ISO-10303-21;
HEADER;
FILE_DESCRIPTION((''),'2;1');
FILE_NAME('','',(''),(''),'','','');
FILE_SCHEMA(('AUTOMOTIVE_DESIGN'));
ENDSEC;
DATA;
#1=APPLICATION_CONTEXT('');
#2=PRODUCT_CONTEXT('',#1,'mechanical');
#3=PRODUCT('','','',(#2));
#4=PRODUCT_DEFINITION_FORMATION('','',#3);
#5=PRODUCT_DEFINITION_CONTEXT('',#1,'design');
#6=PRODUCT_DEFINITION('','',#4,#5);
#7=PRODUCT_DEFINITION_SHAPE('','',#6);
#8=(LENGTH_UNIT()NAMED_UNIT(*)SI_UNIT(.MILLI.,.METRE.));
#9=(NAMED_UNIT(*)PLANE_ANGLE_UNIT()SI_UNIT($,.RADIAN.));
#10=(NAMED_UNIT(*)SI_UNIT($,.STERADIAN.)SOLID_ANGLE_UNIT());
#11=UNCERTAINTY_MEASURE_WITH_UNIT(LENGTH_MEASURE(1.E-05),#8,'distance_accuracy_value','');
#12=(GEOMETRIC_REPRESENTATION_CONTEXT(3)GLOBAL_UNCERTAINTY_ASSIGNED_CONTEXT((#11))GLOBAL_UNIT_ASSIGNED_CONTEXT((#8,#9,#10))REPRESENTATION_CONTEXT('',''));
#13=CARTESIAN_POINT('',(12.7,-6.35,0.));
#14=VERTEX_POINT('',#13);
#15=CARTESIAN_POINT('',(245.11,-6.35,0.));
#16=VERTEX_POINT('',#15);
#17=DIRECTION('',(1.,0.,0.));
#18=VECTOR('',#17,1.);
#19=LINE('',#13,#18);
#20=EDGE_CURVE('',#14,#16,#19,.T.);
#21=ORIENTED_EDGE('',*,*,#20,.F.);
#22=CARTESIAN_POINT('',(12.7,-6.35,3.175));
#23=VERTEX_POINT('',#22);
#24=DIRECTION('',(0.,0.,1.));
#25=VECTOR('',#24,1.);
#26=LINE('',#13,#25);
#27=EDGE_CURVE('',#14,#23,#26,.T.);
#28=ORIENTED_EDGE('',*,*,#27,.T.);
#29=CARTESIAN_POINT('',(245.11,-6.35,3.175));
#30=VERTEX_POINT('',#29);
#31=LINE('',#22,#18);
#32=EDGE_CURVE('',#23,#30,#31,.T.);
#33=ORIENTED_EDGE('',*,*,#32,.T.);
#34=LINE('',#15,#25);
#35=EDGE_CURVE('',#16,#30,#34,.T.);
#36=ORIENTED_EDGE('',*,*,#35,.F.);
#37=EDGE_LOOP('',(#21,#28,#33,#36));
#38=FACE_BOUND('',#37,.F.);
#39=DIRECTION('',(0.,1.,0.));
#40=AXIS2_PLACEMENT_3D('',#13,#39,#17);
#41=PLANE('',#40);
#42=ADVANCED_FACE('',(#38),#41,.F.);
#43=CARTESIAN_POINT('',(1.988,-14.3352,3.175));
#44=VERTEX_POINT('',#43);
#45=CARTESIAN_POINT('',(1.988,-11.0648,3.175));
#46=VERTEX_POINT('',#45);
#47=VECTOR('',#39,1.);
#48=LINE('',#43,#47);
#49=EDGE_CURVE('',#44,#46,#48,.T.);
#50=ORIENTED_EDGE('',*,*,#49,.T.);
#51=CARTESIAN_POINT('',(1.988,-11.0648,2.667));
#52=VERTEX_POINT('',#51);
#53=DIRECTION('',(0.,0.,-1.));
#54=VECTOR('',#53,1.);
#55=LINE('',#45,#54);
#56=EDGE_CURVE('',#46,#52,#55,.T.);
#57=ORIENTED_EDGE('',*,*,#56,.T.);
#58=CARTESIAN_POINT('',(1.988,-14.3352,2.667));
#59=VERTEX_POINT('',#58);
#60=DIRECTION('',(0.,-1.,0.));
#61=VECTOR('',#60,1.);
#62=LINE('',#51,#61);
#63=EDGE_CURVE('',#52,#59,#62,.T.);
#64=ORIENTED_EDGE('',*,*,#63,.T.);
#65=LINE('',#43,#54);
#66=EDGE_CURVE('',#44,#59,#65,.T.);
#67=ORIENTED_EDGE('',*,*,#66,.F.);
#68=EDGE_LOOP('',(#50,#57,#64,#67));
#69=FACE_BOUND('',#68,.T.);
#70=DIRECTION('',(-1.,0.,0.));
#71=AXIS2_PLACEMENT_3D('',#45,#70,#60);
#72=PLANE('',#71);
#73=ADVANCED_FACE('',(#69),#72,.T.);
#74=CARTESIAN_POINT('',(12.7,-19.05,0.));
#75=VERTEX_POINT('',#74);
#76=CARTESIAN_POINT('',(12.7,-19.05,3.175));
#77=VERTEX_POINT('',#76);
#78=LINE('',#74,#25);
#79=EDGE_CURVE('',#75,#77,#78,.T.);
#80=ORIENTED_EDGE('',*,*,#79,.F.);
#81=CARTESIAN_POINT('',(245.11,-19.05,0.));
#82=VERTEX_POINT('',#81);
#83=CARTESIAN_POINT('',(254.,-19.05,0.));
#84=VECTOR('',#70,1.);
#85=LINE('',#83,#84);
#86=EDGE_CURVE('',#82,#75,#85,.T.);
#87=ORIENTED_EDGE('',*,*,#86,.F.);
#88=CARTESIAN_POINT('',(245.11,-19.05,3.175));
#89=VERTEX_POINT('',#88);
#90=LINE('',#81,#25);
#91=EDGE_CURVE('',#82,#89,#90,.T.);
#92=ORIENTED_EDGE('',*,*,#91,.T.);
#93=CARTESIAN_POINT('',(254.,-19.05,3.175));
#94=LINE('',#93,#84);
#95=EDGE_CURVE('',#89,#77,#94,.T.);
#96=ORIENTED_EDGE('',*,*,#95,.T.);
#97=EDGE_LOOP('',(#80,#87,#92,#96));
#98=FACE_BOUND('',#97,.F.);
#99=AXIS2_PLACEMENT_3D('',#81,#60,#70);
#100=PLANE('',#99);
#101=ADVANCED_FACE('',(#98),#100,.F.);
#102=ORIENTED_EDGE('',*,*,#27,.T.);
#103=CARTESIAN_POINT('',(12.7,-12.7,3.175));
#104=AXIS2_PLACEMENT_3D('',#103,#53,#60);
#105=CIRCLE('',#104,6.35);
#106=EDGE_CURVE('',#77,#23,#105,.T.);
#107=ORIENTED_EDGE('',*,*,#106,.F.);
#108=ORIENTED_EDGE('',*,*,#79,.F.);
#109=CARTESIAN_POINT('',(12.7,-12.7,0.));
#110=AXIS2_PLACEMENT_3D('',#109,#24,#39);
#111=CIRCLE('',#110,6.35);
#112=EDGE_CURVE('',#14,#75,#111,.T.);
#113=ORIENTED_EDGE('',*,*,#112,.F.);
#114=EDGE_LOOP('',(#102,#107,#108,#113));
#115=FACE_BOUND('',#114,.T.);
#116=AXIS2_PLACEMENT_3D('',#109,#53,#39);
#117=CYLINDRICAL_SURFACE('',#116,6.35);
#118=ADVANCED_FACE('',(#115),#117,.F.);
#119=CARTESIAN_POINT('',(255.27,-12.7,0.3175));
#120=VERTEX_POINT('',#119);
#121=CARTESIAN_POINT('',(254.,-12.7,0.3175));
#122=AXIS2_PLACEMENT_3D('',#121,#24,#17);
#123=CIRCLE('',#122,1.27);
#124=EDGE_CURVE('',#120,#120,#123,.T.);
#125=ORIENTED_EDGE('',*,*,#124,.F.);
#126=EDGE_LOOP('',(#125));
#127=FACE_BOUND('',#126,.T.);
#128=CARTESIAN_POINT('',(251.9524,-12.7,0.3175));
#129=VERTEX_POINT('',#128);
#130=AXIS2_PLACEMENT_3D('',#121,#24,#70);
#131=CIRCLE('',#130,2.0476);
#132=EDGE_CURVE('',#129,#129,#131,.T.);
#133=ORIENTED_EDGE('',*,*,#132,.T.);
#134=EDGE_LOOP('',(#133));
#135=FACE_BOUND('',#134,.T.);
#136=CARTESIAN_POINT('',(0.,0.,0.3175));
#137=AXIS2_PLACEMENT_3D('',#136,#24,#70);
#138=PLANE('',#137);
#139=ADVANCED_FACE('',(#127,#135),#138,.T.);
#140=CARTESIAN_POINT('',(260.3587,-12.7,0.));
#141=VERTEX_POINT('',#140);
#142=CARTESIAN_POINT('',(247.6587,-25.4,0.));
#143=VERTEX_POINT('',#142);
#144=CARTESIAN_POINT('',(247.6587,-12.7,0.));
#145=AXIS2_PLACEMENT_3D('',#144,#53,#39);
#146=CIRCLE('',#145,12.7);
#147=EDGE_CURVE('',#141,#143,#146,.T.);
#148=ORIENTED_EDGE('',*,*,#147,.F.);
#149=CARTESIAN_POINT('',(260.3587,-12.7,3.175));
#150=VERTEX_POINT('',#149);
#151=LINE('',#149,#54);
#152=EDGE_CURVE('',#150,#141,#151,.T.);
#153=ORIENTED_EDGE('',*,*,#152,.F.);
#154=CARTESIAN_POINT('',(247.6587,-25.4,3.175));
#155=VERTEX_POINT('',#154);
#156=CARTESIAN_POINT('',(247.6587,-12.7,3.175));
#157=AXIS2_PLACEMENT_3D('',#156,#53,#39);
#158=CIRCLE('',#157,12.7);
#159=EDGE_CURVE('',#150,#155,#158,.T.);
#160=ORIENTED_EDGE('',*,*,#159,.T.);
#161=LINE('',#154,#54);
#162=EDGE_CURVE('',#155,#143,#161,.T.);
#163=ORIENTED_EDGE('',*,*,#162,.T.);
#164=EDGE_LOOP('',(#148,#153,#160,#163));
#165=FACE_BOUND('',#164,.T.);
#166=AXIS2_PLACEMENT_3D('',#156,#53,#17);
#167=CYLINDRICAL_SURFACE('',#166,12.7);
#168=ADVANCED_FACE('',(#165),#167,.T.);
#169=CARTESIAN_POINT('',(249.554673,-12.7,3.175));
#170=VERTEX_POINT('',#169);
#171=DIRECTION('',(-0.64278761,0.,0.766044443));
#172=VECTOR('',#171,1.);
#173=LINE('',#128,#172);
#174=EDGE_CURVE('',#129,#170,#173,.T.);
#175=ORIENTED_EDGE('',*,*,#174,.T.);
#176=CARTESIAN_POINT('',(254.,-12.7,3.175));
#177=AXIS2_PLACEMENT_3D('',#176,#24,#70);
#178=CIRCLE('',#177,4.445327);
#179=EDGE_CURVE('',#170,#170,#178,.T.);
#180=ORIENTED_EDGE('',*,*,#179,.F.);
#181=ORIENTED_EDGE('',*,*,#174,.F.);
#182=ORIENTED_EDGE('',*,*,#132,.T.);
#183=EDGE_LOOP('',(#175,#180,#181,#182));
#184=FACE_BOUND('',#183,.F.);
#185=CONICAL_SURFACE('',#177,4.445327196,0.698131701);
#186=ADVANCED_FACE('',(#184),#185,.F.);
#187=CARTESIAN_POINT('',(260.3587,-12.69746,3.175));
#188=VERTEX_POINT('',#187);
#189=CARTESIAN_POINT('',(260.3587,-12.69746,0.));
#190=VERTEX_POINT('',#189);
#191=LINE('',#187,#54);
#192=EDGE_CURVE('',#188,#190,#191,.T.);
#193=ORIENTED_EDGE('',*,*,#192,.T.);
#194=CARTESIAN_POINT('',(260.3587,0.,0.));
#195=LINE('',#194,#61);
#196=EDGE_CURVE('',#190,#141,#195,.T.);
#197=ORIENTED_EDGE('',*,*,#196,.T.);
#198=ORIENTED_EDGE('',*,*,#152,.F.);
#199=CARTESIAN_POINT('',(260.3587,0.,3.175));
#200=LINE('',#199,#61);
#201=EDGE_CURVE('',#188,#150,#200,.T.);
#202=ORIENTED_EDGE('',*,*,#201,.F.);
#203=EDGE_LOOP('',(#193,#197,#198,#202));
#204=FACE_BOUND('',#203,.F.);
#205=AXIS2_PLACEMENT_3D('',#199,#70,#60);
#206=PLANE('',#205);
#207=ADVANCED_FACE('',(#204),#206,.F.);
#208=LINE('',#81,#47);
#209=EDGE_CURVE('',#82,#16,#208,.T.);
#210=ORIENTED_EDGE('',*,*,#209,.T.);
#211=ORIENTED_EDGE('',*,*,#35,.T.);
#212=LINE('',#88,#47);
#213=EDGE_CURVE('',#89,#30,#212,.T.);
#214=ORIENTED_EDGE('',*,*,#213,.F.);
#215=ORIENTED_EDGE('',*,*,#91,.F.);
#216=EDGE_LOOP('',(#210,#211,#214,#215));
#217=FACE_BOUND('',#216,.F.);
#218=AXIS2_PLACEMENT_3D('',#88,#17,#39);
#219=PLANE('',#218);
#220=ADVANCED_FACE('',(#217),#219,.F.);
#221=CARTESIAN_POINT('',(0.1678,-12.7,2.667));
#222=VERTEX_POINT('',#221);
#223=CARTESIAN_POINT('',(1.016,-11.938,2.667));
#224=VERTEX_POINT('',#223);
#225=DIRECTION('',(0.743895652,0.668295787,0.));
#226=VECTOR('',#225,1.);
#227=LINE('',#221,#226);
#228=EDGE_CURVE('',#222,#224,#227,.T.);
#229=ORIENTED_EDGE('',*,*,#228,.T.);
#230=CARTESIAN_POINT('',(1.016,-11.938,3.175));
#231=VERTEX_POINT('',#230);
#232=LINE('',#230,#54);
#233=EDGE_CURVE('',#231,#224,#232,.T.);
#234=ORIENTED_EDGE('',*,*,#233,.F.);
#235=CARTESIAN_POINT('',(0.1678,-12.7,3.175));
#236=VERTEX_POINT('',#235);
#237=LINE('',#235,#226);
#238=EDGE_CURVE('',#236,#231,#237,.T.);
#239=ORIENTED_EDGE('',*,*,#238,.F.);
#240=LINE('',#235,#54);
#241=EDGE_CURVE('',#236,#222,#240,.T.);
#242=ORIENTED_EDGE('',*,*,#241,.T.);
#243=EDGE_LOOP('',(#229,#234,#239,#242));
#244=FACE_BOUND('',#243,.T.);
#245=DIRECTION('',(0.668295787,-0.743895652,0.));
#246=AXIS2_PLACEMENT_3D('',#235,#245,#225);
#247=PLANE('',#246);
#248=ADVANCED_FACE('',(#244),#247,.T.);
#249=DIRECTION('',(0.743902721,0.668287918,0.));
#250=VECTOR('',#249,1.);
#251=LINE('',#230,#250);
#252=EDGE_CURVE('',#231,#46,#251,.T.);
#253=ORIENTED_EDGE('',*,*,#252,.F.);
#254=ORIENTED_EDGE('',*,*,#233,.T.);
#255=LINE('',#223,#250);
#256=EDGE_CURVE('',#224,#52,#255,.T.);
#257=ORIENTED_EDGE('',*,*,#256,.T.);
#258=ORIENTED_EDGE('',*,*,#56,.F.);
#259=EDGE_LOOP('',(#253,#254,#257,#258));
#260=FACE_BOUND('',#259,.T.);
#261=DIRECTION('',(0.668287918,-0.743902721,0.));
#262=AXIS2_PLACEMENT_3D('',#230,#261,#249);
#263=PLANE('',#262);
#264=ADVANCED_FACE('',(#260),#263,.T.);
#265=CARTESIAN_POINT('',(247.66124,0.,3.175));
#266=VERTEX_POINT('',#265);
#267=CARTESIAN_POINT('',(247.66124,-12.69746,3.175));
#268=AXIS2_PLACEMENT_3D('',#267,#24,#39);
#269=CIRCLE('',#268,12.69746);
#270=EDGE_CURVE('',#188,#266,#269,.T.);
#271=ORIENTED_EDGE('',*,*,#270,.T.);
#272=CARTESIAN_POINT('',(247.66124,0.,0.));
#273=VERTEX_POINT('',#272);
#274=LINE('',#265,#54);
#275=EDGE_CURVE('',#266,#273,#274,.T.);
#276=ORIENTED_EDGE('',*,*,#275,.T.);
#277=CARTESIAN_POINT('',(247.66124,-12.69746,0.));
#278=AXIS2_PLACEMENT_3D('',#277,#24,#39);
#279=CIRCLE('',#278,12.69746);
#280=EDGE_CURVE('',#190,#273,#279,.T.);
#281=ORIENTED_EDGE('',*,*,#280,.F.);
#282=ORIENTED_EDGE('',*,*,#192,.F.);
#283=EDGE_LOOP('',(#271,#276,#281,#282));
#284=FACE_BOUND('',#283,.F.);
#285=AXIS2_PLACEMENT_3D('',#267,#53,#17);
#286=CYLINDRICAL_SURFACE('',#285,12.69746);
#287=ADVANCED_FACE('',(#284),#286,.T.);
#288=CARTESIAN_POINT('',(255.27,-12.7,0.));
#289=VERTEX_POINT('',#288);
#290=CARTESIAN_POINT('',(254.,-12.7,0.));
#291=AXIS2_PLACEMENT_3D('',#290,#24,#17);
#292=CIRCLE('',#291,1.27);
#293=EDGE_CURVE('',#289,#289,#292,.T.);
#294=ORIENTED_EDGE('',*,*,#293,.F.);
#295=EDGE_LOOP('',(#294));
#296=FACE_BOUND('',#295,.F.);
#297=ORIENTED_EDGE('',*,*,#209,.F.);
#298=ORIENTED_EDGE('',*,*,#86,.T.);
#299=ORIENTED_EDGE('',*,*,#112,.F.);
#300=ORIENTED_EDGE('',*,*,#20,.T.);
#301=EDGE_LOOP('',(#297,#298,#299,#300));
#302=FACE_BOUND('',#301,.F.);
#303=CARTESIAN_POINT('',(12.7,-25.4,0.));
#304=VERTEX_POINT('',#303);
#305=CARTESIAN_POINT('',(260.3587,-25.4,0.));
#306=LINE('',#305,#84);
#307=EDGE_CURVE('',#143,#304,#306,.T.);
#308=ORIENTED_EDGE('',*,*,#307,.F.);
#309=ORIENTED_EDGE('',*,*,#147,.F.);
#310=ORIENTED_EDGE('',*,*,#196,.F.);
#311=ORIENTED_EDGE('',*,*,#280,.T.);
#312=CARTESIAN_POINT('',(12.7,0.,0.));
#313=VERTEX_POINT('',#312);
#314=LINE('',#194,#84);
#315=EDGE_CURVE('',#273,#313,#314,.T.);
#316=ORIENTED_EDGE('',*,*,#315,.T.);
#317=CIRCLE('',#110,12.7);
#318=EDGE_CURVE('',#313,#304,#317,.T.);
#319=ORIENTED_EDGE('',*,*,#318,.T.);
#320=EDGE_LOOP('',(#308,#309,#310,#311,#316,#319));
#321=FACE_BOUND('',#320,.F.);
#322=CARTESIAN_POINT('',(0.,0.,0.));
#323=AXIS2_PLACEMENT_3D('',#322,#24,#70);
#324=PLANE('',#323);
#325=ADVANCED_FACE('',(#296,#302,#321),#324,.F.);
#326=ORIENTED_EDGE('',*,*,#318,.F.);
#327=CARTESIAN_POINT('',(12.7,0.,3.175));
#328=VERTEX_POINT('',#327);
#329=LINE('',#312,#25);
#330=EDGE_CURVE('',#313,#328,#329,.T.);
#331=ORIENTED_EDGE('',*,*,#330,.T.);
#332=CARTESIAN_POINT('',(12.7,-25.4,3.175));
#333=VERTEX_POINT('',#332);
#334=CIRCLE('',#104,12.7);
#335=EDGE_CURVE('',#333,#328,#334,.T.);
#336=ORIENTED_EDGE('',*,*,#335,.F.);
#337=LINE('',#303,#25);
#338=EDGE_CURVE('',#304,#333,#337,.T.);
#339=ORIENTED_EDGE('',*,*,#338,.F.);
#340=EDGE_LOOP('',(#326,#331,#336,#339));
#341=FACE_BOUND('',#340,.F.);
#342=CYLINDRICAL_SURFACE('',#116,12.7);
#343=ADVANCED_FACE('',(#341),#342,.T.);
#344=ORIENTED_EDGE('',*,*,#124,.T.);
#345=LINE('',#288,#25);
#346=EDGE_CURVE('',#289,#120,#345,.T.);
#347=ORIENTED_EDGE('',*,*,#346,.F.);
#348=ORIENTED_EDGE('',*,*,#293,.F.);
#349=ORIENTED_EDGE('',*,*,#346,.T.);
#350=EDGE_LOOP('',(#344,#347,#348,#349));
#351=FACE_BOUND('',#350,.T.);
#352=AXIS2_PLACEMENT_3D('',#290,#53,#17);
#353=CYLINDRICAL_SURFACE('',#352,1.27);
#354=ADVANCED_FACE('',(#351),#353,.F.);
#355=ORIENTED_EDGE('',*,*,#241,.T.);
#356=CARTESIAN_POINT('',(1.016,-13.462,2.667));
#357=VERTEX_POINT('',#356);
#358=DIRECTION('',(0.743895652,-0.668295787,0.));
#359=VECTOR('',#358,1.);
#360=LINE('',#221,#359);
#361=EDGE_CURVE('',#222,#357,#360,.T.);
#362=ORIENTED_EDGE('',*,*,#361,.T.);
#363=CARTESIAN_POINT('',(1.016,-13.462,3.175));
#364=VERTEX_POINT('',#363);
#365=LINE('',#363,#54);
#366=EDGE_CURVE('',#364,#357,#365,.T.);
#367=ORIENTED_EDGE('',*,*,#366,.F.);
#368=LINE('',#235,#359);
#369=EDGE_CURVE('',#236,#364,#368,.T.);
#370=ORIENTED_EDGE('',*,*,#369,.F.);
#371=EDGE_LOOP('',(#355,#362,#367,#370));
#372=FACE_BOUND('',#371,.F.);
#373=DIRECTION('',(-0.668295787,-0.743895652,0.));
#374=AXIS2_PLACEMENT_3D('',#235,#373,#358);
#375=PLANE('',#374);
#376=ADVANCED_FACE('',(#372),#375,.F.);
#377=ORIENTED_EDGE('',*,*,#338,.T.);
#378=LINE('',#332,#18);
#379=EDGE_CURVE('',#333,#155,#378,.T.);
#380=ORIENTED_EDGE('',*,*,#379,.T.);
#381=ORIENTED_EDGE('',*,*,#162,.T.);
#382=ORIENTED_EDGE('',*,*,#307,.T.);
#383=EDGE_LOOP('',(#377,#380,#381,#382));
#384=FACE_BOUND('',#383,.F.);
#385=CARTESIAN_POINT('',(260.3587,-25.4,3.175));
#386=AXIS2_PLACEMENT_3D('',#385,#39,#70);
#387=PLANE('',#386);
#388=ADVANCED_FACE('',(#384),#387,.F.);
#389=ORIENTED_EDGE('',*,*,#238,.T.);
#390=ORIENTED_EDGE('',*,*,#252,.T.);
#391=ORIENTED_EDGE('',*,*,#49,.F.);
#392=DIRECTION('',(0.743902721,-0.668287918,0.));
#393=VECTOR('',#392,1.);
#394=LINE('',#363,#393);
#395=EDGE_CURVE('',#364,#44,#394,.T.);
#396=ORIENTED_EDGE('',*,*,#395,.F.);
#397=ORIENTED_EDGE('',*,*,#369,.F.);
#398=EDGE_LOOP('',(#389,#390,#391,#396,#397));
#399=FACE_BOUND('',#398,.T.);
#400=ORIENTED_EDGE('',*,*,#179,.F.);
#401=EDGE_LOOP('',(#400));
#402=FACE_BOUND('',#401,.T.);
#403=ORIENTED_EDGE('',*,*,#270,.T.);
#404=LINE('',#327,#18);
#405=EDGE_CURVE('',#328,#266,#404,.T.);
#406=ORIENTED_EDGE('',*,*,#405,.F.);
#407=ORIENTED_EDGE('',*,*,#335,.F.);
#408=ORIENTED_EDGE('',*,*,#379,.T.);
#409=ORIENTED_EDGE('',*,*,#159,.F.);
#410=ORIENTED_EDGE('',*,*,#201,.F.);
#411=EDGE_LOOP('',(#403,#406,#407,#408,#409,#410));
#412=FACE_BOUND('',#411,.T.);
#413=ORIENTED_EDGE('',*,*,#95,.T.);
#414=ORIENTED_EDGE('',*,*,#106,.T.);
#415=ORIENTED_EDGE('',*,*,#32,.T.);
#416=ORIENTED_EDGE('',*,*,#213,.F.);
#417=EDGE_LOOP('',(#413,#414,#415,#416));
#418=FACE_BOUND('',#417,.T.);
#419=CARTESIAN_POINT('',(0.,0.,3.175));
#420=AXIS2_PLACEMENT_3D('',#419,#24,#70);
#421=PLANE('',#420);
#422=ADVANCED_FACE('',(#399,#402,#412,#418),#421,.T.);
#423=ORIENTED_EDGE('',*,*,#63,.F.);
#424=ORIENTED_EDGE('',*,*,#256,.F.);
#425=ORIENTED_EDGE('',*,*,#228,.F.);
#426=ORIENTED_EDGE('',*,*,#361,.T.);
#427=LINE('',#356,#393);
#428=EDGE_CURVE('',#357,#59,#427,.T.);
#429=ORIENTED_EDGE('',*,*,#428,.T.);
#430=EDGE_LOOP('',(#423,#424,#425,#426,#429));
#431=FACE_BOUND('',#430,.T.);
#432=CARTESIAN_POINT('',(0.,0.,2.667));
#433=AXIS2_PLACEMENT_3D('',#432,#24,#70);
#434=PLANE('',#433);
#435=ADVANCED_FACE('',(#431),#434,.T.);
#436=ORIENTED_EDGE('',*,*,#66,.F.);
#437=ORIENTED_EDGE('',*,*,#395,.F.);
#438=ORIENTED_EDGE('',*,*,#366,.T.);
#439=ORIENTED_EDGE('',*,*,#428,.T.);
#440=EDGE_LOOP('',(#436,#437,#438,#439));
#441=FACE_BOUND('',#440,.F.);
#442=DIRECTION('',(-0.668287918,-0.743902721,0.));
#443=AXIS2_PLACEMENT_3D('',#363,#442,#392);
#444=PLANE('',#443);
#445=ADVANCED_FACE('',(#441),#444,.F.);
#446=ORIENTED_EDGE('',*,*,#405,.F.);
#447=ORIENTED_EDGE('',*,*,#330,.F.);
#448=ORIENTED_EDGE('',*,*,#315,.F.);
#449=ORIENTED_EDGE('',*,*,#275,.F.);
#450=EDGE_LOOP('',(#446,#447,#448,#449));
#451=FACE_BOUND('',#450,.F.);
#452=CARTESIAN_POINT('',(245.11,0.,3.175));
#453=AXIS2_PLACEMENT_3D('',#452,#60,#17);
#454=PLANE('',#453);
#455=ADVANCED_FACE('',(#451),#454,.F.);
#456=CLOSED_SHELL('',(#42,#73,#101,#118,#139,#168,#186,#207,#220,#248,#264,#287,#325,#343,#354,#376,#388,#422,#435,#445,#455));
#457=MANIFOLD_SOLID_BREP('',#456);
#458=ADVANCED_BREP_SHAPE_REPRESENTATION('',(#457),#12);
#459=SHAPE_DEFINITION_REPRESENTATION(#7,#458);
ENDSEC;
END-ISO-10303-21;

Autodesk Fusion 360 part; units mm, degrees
sketch "Sketch1" plane through (0, 0, 0) normal (0, 0, 1) x (1, 0, 0)
  line L0 (0, 0) -> (0, -12.7)
  line L1 (12.7, 0) -> (254, 0)
  line L2 (254, -25.4) -> (12.7, -25.4)
  line L3 (0, -25.4) -> (0, -12.7)
  arc A0 (12.7, 0) -> (0, -12.7) centre (12.7, -12.7) ccw
  arc A1 (0, -12.7) -> (12.7, -25.4) centre (12.7, -12.7) ccw
  circle A2 centre (254, -12.7) radius 1.27
  line L4 (254, -25.4) -> (255.27, -25.4)
  line L5 (255.27, 0) -> (254, 0)
  line L6 (255.27, 0) -> (245.11, 0)
  line L7 (245.11, -25.4) -> (255.27, -25.4)
  arc A3 (257.81, -12.7) -> (245.11, 0) centre (245.11, -12.7) ccw
  arc A4 (245.11, -25.4) -> (257.81, -12.7) centre (245.11, -12.7) ccw
  arc A5 (245.11, -19.05) -> (251.46, -12.7) centre (245.11, -12.7) ccw
  arc A6 (251.46, -12.7) -> (245.11, -6.35) centre (245.11, -12.7) ccw
  line L8 (254, -19.05) -> (12.7, -19.05)
  line L9 (12.7, -6.35) -> (254, -6.35)
  arc A7 (12.7, -6.35) -> (6.35, -12.7) centre (12.7, -12.7) ccw
  arc A8 (6.35, -12.7) -> (12.7, -19.05) centre (12.7, -12.7) ccw
  point P0 (0, -25.4)
  point P1 (257.81, 0)
  dimension "d1" = 25.4
  dimension "d3" = 12.7
  dimension "d4" = 12.7
  dimension "d5" = 2.54
  dimension "d6" = 2.54
  dimension "d7" = 12.7
  dimension "d8" = 12.7
  dimension "d9" = -6.35
  dimension "d10" = 6.35
  dimension "d11" = 6.35
  dimension "d12" = -6.35
extrude "Extrude1" add sketch "Sketch1" along normal blind 3.175
sketch "Sketch2" plane through (0, 0, 3.175) normal (0, 0, 1) x (-1, 0, 0)
  circle A0 centre (-254, 12.7) radius 1.27
  arc A1 (-12.7, 6.35) -> (-12.7, 19.05) centre (-12.7, 12.7) ccw
  line L0 (-12.7, 6.35) -> (-245.11, 6.35)
  arc A2 (-245.11, 19.05) -> (-245.11, 6.35) centre (-245.11, 12.7) ccw
  line L1 (-245.11, 19.05) -> (-12.7, 19.05)
  arc A3 (-12.7, 0) -> (-12.7, 25.4) centre (-12.7, 12.7) ccw
  line L2 (-12.7, 25.4) -> (-245.11, 25.4)
  arc A4 (-245.11, 25.4) -> (-245.11, 0) centre (-245.11, 12.7) ccw
  line L3 (-245.11, 0) -> (-12.7, 0)
  circle A5 centre (-254, 12.7) radius 2.0476
extrude "Extrude2" cut sketch "Sketch2" against normal blind 2.54 contours A5
sketch "Sketch3" plane through (0, 0, 3.175) normal (0, 0, 1) x (-1, 0, 0)
  circle A0 centre (-254, 12.7) radius 2.0476
  arc A1 (-12.7, 6.35) -> (-12.7, 19.05) centre (-12.7, 12.7) ccw
  line L0 (-12.7, 6.35) -> (-245.11, 6.35)
  line L1 (-245.11, 19.05) -> (-12.7, 19.05)
  arc A2 (-12.7, 0) -> (-12.7, 25.4) centre (-12.7, 12.7) ccw
  line L2 (-12.7, 25.4) -> (-245.11, 25.4)
  arc A3 (-245.11, 25.4) -> (-245.11, 0) centre (-245.11, 12.7) ccw
  line L3 (-245.11, 0) -> (-12.7, 0)
  line L4 (-245.11, 6.35) -> (-251.46, 6.35)
  line L5 (-251.46, 6.35) -> (-251.46, 19.05)
  line L6 (-251.46, 19.05) -> (-245.11, 19.05)
  line L7 (-245.11, 19.05) -> (-245.11, 6.35)
extrude "Extrude3" add sketch "Sketch3" against normal blind 3.175 contours L4 L5 L6 L7
sketch "Sketch4" plane through (0, 0, 3.175) normal (0, 0, 1) x (-1, 0, 0)
  arc A0 (-12.7, 0) -> (-12.7, 25.4) centre (-12.7, 12.7) ccw
  line L0 (-12.7, 25.4) -> (-245.11, 25.4)
  arc A1 (-245.11, 25.4) -> (-245.11, 0) centre (-245.11, 12.7) ccw
  line L1 (-245.11, 0) -> (-12.7, 0)
  circle A2 centre (-254, 12.7) radius 2.0476
  line L2 (-245.11, 19.05) -> (-12.7, 19.05)
  arc A3 (-12.7, 6.35) -> (-12.7, 19.05) centre (-12.7, 12.7) ccw
  line L3 (-12.7, 6.35) -> (-245.11, 6.35)
  line L4 (-245.11, 6.35) -> (-245.11, 19.05)
  line L5 (-245.11, 0) -> (-260.3587, 0)
  line L6 (-260.3587, 0) -> (-260.3587, 25.4)
  line L7 (-260.3587, 25.4) -> (-245.11, 25.4)
  line L8 (-245.11, 25.4) -> (-245.11, 0)
extrude "Extrude4" add sketch "Sketch4" against normal blind 3.175 contours A1 L5 L6 L7
extrude "Extrude5" cut 1 faces at (254.0316, -14.4834, 0.635) along direction (0, 0, -1) blind 0.3175
draft "Draft1" angle 40 neutral plane through (0, 0, 0.3175) pull (0, 0, 1) 1 faces at (253.949, -14.747, 2.2225)
fillet "Fillet1" radius 12.7 1 edges at (260.3587, -25.4, 1.5875)
fillet "Fillet2" radius 12.7 1 edges at (260.3587, 0, 1.5875)
sketch "Sketch5" plane through (0, 0, 3.175) normal (0, 0, 1) x (-1, 0, 0)
  arc A0 (-247.6587, 25.4) -> (-247.6587, 0) centre (-247.6587, 12.7) ccw
  line L0 (-247.6587, 0) -> (-12.7, 0)
  arc A1 (-12.7, 0) -> (-12.7, 25.4) centre (-12.7, 12.7) ccw
  line L1 (-12.7, 25.4) -> (-247.6587, 25.4)
  line L2 (-245.11, 19.05) -> (-12.7, 19.05)
  arc A2 (-12.7, 6.35) -> (-12.7, 19.05) centre (-12.7, 12.7) ccw
  line L3 (-12.7, 6.35) -> (-245.11, 6.35)
  line L4 (-245.11, 6.35) -> (-245.11, 19.05)
  circle A3 centre (-254, 12.7) radius 4.4453
  line L5 (0, 12.7) -> (-6.35, 12.7)
  line L6 (-0.1678, 12.7) -> (-1.016, 11.938)
  line L7 (-1.016, 11.938) -> (-1.988, 11.0648)
  line L8 (-0.1678, 12.7) -> (-1.016, 13.462)
  line L9 (-1.016, 13.462) -> (-1.988, 14.3352)
  line L10 (-1.988, 11.0648) -> (-1.988, 14.3352)
extrude "Extrude6" cut sketch "Sketch5" against normal blind 0.508 contours L5 L6 L7 L10 | L5 L8 L9 L10
equation "d21 = ( -0.025 / 2 ) * 1 in"
